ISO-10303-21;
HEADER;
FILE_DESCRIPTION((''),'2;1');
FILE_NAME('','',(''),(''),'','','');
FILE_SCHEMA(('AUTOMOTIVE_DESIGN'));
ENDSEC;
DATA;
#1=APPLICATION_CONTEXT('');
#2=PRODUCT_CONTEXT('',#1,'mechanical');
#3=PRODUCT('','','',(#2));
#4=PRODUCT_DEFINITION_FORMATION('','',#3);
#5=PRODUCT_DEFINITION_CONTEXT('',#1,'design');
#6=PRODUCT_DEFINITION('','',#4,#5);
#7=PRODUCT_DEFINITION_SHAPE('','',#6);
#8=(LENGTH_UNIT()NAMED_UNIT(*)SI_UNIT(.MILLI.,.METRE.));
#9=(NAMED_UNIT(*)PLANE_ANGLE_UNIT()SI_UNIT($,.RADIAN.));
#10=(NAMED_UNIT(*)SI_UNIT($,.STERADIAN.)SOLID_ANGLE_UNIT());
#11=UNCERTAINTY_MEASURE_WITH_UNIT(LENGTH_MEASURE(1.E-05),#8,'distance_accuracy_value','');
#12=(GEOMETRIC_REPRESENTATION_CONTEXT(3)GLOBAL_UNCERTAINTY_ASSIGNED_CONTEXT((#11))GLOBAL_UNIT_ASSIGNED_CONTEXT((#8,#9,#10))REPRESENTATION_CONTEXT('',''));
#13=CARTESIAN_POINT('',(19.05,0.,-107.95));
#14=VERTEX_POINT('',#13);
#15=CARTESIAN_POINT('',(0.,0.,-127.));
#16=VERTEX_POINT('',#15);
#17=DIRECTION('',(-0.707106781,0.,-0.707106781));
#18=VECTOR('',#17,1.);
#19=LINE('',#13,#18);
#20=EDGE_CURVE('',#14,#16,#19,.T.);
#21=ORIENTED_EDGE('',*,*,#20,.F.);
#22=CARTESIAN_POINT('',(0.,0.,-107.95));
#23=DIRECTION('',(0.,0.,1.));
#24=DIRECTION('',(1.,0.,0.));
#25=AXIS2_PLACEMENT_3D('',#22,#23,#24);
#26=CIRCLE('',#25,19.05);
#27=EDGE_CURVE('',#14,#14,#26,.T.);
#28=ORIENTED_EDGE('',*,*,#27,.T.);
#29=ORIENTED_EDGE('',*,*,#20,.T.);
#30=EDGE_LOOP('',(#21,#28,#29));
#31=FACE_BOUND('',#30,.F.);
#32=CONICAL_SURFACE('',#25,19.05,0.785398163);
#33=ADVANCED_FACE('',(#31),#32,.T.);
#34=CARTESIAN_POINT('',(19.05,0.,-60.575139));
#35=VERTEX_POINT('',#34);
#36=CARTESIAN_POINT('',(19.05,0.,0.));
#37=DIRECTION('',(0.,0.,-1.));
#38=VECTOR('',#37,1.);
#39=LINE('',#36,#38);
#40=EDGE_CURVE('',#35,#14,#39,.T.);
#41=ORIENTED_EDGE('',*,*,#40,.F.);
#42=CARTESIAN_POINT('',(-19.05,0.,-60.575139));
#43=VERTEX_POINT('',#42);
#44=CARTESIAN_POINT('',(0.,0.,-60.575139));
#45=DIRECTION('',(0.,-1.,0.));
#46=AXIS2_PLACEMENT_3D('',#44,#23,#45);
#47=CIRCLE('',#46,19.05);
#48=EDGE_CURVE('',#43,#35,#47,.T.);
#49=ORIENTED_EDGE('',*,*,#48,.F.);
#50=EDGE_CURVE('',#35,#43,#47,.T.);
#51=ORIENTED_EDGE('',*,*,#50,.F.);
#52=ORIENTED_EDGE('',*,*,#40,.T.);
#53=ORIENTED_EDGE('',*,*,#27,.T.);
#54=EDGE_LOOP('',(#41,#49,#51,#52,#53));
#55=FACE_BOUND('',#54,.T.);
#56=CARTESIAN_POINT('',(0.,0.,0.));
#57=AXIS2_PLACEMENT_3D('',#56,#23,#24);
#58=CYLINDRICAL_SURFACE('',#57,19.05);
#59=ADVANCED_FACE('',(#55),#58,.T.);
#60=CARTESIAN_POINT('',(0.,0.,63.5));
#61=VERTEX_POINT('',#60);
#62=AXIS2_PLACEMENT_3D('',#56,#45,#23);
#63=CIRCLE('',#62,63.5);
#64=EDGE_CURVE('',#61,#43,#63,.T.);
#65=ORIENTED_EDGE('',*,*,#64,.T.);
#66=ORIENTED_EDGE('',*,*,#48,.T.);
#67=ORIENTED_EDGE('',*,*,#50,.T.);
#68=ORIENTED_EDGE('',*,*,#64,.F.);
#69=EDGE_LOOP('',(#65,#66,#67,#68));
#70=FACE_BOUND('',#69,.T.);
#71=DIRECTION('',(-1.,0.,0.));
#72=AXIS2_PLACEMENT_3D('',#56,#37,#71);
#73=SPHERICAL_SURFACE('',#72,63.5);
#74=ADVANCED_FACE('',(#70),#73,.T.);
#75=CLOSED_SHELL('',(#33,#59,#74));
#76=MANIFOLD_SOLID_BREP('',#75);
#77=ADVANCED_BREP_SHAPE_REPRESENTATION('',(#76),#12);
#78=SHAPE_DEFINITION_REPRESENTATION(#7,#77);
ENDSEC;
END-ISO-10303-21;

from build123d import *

# Parameters (mm, degrees)
F2_R     = 19.05
F3_DEPTH = 127
F4_SIZE  = 19.05


with BuildPart() as f1:
    # F0 (on Front) → F1 (revolve)
    with BuildSketch(Plane.XZ):
        with BuildLine():
            Line((0, -63.5), (0, 63.5))
            ThreePointArc((0, 63.5), (-63.5, 0), (0, -63.5))
        make_face()
    revolve(axis=Axis((0, 0, 0), (0, 0, -1)))

    # F2 (on Top) → F3 (join)
    with BuildSketch(Plane.XY):
        Circle(F2_R)
    extrude(amount=-F3_DEPTH)

    # F4
    f4_edges = [f1.edges().sort_by_distance(p)[0] for p in [
        (-19.05, 0, -127),
    ]]
    chamfer(f4_edges, length=F4_SIZE)


solid = f1.part
